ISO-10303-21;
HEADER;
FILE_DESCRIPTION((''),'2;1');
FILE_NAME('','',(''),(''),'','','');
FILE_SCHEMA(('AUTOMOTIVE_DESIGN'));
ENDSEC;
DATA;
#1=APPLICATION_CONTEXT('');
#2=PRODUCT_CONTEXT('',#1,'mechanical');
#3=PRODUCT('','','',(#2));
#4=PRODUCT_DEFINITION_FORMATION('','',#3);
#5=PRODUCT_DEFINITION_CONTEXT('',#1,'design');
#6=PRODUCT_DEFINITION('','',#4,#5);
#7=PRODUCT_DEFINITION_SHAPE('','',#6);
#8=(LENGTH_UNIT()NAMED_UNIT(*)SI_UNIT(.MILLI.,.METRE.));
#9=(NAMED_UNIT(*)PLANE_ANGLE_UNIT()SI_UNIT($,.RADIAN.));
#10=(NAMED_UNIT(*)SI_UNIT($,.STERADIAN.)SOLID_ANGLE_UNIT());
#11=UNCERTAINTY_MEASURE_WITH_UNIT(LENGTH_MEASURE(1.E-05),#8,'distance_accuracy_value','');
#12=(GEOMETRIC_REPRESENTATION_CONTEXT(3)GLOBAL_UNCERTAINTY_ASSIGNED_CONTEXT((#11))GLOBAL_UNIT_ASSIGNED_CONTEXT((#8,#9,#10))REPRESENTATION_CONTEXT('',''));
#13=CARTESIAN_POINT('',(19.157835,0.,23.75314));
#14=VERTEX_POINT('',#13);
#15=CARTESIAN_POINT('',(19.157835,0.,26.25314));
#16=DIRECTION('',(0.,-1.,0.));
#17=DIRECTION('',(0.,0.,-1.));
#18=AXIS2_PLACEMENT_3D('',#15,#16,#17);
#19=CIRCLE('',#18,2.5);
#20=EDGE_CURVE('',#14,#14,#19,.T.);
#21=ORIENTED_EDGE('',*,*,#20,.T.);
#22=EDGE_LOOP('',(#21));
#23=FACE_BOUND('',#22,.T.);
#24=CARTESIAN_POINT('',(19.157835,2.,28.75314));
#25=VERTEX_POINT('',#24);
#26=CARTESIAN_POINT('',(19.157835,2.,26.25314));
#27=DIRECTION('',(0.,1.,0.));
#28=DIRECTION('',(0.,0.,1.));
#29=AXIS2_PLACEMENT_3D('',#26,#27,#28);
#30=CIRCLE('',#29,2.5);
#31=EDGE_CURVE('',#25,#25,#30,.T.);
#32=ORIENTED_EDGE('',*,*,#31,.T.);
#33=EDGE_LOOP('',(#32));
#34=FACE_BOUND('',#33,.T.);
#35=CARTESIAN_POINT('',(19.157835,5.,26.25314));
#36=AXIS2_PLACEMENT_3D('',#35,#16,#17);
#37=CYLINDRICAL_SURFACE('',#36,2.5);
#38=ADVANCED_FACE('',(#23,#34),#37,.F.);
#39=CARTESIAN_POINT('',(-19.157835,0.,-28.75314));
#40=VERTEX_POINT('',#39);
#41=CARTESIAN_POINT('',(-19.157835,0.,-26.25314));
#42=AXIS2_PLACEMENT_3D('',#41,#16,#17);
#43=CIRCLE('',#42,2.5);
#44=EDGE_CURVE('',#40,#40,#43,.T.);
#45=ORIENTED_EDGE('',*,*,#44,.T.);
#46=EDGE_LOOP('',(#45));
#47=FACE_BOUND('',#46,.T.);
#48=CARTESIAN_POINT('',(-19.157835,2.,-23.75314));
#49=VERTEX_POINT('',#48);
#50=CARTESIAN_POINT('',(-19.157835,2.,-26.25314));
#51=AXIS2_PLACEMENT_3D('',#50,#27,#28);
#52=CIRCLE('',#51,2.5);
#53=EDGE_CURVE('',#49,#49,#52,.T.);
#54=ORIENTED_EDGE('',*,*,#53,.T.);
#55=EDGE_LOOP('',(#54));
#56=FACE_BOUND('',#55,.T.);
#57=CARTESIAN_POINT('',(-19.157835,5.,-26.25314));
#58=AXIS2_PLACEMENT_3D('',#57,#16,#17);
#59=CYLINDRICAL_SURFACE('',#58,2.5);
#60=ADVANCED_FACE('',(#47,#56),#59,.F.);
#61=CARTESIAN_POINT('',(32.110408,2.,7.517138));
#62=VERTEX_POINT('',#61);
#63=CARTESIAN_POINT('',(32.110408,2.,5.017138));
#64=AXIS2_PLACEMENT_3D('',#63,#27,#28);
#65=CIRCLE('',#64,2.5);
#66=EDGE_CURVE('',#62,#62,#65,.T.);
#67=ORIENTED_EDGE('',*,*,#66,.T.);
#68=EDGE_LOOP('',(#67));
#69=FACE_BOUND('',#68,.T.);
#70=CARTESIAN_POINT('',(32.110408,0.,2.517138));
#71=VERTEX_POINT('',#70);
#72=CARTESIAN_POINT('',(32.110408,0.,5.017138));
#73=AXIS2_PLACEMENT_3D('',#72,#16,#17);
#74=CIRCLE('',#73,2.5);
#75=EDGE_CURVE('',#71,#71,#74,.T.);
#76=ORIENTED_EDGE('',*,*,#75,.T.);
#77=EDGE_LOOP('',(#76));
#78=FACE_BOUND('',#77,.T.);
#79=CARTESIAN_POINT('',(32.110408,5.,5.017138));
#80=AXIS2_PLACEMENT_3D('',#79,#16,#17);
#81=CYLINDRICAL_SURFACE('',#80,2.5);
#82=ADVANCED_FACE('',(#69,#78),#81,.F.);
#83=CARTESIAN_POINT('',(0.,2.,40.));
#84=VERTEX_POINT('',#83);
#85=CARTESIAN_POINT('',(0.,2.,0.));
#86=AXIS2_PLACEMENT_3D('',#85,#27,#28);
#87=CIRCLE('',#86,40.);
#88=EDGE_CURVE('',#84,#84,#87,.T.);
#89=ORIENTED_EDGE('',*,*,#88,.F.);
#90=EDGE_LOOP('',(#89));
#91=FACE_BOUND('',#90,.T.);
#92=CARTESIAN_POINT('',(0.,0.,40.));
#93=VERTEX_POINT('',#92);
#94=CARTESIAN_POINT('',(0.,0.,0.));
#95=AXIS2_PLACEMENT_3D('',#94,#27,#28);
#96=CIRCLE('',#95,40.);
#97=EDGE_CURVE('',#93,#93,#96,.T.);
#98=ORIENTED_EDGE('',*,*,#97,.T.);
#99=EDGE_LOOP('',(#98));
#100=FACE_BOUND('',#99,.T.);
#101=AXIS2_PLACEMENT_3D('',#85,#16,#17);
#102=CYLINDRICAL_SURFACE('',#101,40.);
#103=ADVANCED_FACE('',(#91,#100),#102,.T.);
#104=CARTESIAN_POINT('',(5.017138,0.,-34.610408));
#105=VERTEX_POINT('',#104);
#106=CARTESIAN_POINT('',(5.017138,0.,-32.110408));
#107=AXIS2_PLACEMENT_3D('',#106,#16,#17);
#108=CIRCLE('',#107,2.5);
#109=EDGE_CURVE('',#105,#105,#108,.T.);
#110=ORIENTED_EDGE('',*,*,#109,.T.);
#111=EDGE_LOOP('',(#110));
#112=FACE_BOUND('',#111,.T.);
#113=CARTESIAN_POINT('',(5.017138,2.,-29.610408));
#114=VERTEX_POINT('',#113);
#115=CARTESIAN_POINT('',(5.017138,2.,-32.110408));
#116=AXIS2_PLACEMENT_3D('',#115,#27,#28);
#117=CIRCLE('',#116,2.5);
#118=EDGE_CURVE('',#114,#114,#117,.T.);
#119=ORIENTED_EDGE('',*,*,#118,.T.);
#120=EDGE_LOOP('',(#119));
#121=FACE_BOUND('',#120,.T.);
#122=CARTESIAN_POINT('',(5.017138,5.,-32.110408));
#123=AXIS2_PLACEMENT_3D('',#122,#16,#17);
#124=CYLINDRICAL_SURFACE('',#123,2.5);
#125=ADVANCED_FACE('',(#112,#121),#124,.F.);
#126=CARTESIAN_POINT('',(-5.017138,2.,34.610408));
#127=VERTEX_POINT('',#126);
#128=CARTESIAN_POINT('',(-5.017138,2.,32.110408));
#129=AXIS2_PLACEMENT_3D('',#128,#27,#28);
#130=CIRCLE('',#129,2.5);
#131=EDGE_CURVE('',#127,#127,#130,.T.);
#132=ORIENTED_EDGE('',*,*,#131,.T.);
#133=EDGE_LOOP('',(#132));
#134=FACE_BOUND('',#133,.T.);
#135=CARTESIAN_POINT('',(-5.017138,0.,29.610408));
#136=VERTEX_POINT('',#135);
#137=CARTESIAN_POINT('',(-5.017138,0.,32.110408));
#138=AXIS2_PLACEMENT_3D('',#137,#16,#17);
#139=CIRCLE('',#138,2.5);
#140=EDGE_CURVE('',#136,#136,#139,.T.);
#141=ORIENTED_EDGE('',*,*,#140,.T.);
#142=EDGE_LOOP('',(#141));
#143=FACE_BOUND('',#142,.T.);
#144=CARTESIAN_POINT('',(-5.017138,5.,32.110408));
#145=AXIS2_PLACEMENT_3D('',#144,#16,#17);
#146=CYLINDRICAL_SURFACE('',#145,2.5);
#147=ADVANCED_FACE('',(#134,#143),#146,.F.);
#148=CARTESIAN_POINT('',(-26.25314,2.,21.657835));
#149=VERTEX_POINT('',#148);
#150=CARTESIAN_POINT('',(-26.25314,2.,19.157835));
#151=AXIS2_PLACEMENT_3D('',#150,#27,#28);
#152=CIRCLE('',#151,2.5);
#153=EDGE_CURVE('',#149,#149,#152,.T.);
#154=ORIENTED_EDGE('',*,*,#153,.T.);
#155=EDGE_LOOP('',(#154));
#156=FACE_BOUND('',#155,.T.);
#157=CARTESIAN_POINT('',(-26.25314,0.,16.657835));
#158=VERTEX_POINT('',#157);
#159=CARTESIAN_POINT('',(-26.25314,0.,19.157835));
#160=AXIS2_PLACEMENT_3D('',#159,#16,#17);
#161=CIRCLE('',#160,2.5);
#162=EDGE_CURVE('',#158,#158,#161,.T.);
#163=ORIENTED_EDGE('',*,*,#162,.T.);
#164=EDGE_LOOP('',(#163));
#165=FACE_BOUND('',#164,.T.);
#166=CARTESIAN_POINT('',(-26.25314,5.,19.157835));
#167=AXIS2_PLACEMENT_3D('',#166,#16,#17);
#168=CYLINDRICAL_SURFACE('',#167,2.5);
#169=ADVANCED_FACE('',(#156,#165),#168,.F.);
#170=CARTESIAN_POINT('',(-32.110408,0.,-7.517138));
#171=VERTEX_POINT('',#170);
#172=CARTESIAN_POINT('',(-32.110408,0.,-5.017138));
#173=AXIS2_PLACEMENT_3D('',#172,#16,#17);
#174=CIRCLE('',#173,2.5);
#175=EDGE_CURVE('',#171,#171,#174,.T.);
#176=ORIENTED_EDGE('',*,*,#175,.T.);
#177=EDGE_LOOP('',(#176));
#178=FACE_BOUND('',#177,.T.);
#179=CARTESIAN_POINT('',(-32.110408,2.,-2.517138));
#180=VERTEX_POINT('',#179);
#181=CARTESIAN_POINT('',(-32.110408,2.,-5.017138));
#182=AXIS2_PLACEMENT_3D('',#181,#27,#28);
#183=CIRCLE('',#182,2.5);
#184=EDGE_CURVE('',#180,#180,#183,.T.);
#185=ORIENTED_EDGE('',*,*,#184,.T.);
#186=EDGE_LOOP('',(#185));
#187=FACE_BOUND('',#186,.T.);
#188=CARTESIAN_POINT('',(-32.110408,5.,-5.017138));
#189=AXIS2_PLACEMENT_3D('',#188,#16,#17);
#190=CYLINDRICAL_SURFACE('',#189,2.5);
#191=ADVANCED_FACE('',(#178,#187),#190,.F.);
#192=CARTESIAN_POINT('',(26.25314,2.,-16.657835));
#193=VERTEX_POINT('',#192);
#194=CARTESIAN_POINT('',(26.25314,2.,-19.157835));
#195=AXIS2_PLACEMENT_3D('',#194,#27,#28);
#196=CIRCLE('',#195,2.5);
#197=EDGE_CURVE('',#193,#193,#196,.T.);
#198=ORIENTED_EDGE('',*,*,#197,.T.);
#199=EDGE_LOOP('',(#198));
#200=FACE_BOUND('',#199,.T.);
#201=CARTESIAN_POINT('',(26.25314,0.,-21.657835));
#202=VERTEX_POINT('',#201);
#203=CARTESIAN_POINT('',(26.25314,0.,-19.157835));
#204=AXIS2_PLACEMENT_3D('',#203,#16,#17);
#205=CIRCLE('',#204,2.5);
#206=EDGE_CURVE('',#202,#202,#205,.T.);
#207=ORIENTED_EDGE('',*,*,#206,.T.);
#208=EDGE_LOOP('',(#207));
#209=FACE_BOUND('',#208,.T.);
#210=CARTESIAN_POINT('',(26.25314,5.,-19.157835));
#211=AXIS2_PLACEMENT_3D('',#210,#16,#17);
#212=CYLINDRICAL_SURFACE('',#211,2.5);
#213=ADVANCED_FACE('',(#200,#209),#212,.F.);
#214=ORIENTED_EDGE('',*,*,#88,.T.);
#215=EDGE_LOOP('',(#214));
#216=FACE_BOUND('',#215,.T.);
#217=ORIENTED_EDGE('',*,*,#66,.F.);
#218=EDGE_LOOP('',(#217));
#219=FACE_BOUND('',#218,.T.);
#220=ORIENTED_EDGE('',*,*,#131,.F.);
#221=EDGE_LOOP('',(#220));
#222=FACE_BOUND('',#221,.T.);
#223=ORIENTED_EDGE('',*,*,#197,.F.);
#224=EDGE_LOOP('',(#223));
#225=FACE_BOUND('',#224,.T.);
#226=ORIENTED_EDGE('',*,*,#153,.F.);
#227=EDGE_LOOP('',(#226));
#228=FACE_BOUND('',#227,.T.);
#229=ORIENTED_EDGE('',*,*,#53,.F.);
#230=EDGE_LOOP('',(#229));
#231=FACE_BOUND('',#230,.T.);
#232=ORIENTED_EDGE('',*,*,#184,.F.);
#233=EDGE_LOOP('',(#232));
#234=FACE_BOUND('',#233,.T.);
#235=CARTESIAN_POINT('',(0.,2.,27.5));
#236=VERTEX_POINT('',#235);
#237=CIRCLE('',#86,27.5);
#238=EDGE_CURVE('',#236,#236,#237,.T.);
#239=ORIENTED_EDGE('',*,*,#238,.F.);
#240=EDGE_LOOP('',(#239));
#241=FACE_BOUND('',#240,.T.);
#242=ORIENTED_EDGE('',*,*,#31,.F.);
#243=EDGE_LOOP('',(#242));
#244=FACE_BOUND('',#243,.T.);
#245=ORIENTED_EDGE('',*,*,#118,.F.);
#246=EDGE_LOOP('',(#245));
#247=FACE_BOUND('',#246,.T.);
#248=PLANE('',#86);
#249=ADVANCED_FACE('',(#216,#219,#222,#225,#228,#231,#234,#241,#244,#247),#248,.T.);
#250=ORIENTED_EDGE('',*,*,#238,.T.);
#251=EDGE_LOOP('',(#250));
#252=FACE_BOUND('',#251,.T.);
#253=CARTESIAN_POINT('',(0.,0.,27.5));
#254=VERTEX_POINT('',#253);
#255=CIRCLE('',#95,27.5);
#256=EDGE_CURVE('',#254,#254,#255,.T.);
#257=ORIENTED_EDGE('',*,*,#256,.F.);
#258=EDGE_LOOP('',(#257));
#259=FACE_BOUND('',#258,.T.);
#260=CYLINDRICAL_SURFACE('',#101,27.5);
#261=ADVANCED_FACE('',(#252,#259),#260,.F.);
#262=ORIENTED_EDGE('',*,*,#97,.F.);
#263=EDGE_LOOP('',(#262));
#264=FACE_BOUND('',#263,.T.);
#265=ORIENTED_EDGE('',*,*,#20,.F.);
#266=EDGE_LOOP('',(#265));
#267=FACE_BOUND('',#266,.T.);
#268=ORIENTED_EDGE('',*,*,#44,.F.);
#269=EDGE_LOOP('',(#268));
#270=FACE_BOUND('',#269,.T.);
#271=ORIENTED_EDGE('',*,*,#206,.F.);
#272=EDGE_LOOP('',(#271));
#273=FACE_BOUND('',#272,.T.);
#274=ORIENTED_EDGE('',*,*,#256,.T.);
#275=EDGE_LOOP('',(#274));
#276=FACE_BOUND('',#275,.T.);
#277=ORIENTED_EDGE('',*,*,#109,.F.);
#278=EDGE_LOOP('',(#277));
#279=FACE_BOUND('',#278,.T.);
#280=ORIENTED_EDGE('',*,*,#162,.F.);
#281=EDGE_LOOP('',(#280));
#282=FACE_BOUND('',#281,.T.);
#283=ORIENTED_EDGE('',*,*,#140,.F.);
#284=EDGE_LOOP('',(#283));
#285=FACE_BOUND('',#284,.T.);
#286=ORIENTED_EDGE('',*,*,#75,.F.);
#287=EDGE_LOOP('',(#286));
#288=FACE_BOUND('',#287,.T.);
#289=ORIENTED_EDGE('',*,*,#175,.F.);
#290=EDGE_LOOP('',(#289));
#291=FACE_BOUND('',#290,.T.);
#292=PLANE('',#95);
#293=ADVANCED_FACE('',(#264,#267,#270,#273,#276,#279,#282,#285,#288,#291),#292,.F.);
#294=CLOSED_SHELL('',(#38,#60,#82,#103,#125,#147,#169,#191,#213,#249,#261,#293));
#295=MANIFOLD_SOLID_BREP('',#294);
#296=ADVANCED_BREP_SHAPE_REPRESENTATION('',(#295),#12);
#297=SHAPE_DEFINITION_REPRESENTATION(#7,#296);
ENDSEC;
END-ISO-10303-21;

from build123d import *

# Parameters (mm, degrees)
SKETCH_1_R          = 40
SKETCH_1_R_2        = 27.5
EXTRUDE_1_DEPTH     = 2
CUT_EXTRUDE_1_DEPTH = 5


with BuildPart() as part:
    # 草图1 → 凸台-拉伸1 (new body)
    with BuildSketch(Plane(origin=(0, 0, 0), x_dir=(1, 0, 0), z_dir=(0, 1, 0))):
        with Locations(Location((0, 0, 0), (0, 0, 270))):
            Circle(SKETCH_1_R)
        with Locations(Location((0, 0, 0), (0, 0, 270))):
            Circle(SKETCH_1_R_2, mode=Mode.SUBTRACT)
    extrude(amount=EXTRUDE_1_DEPTH)

    # 草图2 → 切除-拉伸1 (cut)
    with BuildSketch(Plane.XZ):
        with BuildLine():
            ThreePointArc((-32.496342046, -2.547106912), (-34.580439739, -5.403072039), (-31.724474612, -7.487169732))
            ThreePointArc((-31.724474612, -7.487169732), (-29.640376919, -4.631204605), (-32.496342046, -2.547106912))
        make_face()
        with BuildLine():
            ThreePointArc((-26.639073723, 21.627866356), (-28.723171416, 18.771901229), (-25.867206289, 16.687803537))
            ThreePointArc((-25.867206289, 16.687803537), (-23.783108596, 19.543768664), (-26.639073723, 21.627866356))
        make_face()
        with BuildLine():
            ThreePointArc((-5.403072039, 34.580439739), (-7.487169732, 31.724474612), (-4.631204605, 29.640376919))
            ThreePointArc((-4.631204605, 29.640376919), (-2.547106912, 32.496342046), (-5.403072039, 34.580439739))
        make_face()
        with BuildLine():
            ThreePointArc((18.771901229, 28.723171416), (16.687803537, 25.867206289), (19.543768664, 23.783108596))
            ThreePointArc((19.543768664, 23.783108596), (21.627866356, 26.639073723), (18.771901229, 28.723171416))
        make_face()
        with BuildLine():
            ThreePointArc((31.724474612, 7.487169732), (29.640376919, 4.631204605), (32.496342046, 2.547106912))
            ThreePointArc((32.496342046, 2.547106912), (34.580439739, 5.403072039), (31.724474612, 7.487169732))
        make_face()
        with BuildLine():
            ThreePointArc((25.867206289, -16.687803537), (23.783108596, -19.543768664), (26.639073723, -21.627866356))
            ThreePointArc((26.639073723, -21.627866356), (28.723171416, -18.771901229), (25.867206289, -16.687803537))
        make_face()
        with BuildLine():
            ThreePointArc((-19.543768664, -23.783108596), (-21.627866356, -26.639073723), (-18.771901229, -28.723171416))
            ThreePointArc((-18.771901229, -28.723171416), (-16.687803537, -25.867206289), (-19.543768664, -23.783108596))
        make_face()
        with BuildLine():
            ThreePointArc((4.631204605, -29.640376919), (2.547106912, -32.496342046), (5.403072039, -34.580439739))
            ThreePointArc((5.403072039, -34.580439739), (7.487169732, -31.724474612), (4.631204605, -29.640376919))
        make_face()
    extrude(amount=-CUT_EXTRUDE_1_DEPTH, mode=Mode.SUBTRACT)


solid = part.part
